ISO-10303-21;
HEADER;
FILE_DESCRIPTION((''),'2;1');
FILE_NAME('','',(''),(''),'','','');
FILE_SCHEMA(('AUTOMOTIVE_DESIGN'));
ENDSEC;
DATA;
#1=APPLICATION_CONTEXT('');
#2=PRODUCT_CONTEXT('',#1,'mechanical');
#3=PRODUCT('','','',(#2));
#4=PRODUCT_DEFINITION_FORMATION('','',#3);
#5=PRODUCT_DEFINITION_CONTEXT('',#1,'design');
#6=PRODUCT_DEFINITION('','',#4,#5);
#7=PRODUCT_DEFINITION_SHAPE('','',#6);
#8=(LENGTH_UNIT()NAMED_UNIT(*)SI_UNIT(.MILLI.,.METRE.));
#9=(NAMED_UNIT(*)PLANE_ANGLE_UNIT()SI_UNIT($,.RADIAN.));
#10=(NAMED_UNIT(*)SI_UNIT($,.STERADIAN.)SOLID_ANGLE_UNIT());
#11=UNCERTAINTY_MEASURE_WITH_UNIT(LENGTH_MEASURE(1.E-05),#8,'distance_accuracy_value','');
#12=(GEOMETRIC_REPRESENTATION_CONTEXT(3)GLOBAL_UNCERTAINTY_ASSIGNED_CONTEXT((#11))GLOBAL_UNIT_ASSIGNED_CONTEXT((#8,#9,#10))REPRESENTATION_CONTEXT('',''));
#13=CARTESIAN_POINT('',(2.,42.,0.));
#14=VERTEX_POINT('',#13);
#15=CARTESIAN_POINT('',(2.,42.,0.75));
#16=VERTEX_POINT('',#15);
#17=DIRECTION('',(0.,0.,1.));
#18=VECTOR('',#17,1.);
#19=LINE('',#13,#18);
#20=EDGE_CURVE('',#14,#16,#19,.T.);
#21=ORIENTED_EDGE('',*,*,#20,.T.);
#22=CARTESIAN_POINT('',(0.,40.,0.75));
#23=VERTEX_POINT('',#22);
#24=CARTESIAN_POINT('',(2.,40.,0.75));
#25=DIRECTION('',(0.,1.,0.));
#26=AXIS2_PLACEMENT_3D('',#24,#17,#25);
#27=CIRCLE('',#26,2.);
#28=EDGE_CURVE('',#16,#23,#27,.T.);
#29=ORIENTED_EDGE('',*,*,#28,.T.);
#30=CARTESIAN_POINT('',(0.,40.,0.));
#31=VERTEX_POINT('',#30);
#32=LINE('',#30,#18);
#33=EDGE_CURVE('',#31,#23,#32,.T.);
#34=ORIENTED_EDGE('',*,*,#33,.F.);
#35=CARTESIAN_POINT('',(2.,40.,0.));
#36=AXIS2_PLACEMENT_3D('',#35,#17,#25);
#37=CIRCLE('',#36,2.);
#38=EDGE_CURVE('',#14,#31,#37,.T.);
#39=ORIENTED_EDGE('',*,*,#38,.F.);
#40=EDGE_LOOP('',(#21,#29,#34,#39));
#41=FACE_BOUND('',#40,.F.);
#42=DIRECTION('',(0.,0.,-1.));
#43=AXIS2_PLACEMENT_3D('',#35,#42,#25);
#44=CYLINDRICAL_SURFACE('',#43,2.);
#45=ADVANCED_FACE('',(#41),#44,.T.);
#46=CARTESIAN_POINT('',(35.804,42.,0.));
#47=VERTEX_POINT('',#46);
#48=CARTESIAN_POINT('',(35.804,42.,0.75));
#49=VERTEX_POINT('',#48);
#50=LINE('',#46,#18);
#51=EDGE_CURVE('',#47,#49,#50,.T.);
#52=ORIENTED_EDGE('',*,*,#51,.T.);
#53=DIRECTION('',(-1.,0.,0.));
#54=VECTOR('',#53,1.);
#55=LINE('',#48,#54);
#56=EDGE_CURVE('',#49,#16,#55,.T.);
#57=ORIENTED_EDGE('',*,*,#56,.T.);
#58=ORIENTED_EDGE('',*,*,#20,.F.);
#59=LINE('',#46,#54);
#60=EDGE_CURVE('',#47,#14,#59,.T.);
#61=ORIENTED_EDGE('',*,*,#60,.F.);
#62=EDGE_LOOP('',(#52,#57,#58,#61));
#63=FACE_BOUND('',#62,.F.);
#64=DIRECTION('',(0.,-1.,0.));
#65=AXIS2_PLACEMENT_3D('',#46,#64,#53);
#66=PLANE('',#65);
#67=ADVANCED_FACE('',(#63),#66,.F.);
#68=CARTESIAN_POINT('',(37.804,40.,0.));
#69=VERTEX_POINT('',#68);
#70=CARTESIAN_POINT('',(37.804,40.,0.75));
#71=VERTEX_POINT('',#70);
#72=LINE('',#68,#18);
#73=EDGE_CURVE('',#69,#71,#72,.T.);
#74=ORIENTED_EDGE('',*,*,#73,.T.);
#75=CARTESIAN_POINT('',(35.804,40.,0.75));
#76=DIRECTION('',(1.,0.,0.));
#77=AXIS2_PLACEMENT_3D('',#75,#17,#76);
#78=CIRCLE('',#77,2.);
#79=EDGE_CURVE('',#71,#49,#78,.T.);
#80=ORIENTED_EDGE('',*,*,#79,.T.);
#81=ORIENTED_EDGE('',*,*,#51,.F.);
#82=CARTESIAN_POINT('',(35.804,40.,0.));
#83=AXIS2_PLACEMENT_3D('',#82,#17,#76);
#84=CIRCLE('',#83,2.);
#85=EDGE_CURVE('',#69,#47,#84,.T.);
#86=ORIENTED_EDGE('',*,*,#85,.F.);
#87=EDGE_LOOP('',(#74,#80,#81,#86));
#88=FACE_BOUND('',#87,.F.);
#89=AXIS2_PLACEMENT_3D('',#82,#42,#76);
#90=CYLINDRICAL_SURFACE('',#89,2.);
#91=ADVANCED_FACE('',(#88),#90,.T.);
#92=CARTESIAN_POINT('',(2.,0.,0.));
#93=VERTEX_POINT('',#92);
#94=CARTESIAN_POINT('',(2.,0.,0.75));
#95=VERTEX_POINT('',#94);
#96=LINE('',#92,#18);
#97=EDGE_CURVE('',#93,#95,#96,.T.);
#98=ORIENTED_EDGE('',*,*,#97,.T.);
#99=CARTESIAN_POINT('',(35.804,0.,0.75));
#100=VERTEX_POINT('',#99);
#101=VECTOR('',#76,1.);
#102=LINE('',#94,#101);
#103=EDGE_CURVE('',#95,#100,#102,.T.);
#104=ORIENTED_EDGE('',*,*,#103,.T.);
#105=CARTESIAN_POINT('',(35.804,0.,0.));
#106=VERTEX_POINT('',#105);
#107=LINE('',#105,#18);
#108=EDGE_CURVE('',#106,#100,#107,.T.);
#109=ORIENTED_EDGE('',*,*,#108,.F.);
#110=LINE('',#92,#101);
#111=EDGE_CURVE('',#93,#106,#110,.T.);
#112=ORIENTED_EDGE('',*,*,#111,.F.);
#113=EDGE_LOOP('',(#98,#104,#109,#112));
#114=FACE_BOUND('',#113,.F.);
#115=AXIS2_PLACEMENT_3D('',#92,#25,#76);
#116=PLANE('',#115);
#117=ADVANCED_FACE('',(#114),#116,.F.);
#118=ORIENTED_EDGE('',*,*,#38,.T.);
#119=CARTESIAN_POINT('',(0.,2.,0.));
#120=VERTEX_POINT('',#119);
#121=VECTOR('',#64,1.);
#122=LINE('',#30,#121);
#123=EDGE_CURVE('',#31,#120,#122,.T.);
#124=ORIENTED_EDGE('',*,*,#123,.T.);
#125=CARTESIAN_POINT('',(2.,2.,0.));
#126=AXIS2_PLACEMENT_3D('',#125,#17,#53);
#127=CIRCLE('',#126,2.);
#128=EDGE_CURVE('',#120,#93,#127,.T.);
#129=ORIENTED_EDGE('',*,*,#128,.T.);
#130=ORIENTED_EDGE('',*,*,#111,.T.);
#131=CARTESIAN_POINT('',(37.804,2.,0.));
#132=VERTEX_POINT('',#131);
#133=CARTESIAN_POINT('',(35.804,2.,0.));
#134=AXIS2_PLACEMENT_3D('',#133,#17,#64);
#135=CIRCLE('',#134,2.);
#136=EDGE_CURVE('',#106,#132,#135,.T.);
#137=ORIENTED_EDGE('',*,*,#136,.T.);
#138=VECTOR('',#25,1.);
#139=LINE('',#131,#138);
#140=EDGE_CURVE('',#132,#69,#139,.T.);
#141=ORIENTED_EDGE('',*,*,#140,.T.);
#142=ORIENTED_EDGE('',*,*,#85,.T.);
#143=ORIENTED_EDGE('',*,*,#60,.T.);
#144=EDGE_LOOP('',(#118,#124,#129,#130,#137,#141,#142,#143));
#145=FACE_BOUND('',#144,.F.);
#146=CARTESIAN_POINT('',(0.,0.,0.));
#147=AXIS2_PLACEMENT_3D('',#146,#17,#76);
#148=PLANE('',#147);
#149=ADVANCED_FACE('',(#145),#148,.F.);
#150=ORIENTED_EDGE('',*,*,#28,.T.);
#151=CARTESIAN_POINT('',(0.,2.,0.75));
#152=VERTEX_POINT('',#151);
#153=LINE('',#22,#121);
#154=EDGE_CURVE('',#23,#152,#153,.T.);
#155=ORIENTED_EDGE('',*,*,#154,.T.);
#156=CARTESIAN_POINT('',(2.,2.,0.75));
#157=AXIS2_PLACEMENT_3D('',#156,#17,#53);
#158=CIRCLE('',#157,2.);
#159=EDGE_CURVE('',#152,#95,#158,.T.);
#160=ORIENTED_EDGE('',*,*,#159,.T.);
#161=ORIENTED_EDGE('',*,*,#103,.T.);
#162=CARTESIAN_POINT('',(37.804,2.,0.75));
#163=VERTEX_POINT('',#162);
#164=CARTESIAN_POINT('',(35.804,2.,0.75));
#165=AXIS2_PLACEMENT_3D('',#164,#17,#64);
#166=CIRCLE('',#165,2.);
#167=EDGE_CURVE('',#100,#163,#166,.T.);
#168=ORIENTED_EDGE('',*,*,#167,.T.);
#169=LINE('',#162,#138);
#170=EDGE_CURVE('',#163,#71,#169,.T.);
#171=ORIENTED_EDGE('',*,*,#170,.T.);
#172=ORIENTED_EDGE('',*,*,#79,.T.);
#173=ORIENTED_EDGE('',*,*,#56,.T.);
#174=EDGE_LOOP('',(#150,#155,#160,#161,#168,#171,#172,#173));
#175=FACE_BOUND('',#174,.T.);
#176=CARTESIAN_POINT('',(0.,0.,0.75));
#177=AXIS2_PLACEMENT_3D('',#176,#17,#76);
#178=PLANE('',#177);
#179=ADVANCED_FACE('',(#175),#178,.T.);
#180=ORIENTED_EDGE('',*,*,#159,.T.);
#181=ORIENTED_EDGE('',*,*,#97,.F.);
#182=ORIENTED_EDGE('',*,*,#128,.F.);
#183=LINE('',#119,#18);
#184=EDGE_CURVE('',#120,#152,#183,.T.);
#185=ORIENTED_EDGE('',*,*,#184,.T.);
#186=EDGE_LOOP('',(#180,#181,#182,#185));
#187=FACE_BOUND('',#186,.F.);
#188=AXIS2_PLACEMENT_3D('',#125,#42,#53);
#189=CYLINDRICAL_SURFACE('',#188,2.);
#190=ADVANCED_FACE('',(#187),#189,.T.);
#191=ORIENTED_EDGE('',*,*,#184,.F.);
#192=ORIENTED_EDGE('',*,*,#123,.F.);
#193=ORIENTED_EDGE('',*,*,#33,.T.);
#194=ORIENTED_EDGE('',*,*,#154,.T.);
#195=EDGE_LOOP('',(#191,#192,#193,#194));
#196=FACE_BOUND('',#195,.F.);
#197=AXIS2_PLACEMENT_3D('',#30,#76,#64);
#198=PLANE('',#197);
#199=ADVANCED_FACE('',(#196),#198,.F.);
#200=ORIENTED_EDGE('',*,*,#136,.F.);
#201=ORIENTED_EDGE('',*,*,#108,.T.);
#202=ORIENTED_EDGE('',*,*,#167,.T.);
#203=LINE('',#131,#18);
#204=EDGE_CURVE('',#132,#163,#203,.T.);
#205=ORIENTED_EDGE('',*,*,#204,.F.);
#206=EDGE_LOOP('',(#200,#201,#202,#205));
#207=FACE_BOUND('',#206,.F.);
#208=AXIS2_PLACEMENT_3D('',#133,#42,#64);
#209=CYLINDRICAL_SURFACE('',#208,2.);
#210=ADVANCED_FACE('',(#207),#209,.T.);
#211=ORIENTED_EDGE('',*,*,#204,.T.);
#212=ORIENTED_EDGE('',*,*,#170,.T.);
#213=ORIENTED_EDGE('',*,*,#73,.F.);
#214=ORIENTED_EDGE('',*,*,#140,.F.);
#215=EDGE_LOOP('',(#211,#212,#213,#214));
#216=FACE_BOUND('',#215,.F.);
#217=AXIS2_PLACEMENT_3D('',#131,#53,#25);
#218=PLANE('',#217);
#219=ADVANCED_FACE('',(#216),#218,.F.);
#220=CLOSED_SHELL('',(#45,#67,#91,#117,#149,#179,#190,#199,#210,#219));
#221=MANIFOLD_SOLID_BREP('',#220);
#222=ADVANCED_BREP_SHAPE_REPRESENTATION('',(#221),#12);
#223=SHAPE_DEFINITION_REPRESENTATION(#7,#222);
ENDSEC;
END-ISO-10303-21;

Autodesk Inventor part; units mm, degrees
ref_plane "YZ Plane" through (0, 0, 0) normal (1, 0, 0) x (0, 1, 0)
ref_plane "XZ Plane" through (0, 0, 0) normal (0, 1, 0) x (-1, 0, 0)
ref_plane "XY Plane" through (0, 0, 0) normal (0, 0, 1) x (1, 0, 0)
sketch "Boceto1" plane through (0, 0, 0) normal (0, 0, 1) x (1, 0, 0)
  line L0 (2, 0) -> (35.804, 0)
  line L1 (37.804, 2) -> (37.804, 40)
  line L2 (35.804, 42) -> (2, 42)
  line L3 (0, 40) -> (0, 2)
  arc A0 (2, 42) -> (0, 40) centre (2, 40) ccw
  arc A1 (37.804, 40) -> (35.804, 42) centre (35.804, 40) ccw
  arc A2 (35.804, 0) -> (37.804, 2) centre (35.804, 2) ccw
  arc A3 (0, 2) -> (2, 0) centre (2, 2) ccw
  point P0 (0, 0)
  point P1 (37.804, 0)
  point P2 (0, 42)
  dimension "d2" = 2
  dimension "d7" = 37.804
  dimension "d8" = 42
extrude "Extrusión1" add sketch "Boceto1" along normal blind 0.75
properties part number "Ventana"
